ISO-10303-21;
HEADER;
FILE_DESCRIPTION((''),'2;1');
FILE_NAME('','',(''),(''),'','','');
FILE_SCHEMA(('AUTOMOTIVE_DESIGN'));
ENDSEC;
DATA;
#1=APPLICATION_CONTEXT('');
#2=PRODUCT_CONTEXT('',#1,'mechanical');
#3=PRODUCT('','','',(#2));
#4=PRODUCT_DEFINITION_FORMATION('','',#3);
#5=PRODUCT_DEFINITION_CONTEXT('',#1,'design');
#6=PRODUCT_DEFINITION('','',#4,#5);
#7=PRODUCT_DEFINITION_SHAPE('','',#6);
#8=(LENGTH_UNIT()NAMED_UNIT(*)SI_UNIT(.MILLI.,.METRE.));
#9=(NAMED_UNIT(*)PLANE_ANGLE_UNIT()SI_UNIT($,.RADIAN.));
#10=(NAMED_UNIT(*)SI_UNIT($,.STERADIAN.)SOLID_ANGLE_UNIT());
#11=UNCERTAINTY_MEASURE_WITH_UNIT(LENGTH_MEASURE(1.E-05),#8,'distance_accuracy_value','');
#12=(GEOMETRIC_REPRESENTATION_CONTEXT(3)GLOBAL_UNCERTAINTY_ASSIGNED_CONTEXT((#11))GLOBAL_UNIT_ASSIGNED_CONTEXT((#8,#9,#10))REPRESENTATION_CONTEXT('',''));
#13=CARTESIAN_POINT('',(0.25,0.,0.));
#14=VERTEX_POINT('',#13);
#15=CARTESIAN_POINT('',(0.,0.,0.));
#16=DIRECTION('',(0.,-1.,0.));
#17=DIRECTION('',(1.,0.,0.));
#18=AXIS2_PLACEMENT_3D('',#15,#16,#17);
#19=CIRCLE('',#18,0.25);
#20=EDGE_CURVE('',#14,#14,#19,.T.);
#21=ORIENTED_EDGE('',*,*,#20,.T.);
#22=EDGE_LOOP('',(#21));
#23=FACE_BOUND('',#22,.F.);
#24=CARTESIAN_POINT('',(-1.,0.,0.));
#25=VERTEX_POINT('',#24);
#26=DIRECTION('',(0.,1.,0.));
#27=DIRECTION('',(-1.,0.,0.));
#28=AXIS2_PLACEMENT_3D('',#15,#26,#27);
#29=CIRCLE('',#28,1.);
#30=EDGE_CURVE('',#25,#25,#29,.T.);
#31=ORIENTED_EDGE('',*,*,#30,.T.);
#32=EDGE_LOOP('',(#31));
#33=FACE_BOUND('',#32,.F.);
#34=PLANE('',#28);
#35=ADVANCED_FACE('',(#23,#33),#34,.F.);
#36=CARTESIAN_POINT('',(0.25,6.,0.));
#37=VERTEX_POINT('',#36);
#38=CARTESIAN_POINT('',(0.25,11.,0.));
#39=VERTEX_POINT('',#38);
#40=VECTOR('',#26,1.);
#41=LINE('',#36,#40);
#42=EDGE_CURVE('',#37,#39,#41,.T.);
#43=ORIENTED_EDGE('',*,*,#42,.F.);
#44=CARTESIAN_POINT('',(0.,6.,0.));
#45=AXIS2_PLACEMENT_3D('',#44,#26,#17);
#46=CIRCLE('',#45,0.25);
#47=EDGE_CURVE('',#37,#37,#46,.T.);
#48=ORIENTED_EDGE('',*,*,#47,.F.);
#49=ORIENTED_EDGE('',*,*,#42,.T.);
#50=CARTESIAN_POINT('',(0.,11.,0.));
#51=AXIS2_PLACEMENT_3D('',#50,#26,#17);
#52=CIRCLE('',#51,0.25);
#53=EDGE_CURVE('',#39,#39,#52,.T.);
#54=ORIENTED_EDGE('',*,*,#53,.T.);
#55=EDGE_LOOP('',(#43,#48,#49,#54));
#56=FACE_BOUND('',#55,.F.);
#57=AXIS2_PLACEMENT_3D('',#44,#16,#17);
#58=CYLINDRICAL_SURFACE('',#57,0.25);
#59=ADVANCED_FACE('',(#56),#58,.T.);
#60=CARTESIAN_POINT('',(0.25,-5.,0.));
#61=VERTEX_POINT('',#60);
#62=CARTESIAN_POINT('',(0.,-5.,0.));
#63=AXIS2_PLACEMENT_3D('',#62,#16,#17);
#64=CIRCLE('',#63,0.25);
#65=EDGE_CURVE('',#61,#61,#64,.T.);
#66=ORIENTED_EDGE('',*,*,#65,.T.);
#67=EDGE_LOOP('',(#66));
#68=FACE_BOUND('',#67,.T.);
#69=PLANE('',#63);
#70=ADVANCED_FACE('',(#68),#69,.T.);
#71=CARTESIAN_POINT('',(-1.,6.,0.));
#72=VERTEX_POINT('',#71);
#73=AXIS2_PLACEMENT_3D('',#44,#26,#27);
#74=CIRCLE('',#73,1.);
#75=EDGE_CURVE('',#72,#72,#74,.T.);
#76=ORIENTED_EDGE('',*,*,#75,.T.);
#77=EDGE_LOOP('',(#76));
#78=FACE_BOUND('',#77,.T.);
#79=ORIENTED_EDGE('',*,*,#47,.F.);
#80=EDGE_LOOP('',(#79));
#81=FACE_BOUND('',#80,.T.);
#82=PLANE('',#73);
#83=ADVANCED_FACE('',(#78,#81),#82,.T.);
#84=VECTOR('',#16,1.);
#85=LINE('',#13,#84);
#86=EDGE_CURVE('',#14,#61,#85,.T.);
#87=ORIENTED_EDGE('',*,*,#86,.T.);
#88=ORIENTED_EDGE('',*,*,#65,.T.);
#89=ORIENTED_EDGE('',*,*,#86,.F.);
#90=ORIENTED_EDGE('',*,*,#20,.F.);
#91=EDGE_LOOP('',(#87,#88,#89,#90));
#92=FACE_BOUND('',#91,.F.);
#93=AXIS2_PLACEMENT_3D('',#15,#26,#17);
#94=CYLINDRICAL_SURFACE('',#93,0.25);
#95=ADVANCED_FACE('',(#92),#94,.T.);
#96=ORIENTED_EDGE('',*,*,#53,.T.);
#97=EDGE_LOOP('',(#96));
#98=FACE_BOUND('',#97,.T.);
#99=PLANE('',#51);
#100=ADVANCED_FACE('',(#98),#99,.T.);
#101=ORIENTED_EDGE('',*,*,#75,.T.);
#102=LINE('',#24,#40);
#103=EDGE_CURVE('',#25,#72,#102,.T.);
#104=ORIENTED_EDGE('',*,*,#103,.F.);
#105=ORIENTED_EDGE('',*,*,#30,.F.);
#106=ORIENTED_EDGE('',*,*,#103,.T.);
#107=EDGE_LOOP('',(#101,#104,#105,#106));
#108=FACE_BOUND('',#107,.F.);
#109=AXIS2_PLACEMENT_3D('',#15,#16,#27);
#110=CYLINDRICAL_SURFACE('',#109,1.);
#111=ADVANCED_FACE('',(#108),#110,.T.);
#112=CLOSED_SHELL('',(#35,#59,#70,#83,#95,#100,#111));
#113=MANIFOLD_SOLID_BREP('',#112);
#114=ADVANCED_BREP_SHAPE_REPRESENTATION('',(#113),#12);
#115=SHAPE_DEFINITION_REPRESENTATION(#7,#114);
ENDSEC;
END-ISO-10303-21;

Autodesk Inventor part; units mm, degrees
ref_plane "YZ Plane" through (0, 0, 0) normal (1, 0, 0) x (0, 1, 0)
ref_plane "XZ Plane" through (0, 0, 0) normal (0, 1, 0) x (-1, 0, 0)
ref_plane "XY Plane" through (0, 0, 0) normal (0, 0, 1) x (1, 0, 0)
sketch "Sketch1" plane through (0, 0, 0) normal (0, 1, 0) x (-1, 0, 0)
  circle A0 centre (0, 0) radius 1
  dimension "d0" = 2
extrude "Extrusion1" add sketch "Sketch1" along normal blind 6
sketch "Sketch2" plane through (0, 6, 0) normal (0, 1, 0) x (1, 0, 0)
  circle A0 centre (0, 0) radius 0.25
  dimension "d3" = 0.5
extrude "Extrusion2" add sketch "Sketch2" along normal blind 5
sketch "Sketch3" plane through (0, 0, 0) normal (0, -1, 0) x (1, 0, 0)
  circle A0 centre (0, 0) radius 0.25
  dimension "d6" = 0.5
extrude "Extrusion3" add sketch "Sketch3" along normal blind 5
properties part number "resistor"
